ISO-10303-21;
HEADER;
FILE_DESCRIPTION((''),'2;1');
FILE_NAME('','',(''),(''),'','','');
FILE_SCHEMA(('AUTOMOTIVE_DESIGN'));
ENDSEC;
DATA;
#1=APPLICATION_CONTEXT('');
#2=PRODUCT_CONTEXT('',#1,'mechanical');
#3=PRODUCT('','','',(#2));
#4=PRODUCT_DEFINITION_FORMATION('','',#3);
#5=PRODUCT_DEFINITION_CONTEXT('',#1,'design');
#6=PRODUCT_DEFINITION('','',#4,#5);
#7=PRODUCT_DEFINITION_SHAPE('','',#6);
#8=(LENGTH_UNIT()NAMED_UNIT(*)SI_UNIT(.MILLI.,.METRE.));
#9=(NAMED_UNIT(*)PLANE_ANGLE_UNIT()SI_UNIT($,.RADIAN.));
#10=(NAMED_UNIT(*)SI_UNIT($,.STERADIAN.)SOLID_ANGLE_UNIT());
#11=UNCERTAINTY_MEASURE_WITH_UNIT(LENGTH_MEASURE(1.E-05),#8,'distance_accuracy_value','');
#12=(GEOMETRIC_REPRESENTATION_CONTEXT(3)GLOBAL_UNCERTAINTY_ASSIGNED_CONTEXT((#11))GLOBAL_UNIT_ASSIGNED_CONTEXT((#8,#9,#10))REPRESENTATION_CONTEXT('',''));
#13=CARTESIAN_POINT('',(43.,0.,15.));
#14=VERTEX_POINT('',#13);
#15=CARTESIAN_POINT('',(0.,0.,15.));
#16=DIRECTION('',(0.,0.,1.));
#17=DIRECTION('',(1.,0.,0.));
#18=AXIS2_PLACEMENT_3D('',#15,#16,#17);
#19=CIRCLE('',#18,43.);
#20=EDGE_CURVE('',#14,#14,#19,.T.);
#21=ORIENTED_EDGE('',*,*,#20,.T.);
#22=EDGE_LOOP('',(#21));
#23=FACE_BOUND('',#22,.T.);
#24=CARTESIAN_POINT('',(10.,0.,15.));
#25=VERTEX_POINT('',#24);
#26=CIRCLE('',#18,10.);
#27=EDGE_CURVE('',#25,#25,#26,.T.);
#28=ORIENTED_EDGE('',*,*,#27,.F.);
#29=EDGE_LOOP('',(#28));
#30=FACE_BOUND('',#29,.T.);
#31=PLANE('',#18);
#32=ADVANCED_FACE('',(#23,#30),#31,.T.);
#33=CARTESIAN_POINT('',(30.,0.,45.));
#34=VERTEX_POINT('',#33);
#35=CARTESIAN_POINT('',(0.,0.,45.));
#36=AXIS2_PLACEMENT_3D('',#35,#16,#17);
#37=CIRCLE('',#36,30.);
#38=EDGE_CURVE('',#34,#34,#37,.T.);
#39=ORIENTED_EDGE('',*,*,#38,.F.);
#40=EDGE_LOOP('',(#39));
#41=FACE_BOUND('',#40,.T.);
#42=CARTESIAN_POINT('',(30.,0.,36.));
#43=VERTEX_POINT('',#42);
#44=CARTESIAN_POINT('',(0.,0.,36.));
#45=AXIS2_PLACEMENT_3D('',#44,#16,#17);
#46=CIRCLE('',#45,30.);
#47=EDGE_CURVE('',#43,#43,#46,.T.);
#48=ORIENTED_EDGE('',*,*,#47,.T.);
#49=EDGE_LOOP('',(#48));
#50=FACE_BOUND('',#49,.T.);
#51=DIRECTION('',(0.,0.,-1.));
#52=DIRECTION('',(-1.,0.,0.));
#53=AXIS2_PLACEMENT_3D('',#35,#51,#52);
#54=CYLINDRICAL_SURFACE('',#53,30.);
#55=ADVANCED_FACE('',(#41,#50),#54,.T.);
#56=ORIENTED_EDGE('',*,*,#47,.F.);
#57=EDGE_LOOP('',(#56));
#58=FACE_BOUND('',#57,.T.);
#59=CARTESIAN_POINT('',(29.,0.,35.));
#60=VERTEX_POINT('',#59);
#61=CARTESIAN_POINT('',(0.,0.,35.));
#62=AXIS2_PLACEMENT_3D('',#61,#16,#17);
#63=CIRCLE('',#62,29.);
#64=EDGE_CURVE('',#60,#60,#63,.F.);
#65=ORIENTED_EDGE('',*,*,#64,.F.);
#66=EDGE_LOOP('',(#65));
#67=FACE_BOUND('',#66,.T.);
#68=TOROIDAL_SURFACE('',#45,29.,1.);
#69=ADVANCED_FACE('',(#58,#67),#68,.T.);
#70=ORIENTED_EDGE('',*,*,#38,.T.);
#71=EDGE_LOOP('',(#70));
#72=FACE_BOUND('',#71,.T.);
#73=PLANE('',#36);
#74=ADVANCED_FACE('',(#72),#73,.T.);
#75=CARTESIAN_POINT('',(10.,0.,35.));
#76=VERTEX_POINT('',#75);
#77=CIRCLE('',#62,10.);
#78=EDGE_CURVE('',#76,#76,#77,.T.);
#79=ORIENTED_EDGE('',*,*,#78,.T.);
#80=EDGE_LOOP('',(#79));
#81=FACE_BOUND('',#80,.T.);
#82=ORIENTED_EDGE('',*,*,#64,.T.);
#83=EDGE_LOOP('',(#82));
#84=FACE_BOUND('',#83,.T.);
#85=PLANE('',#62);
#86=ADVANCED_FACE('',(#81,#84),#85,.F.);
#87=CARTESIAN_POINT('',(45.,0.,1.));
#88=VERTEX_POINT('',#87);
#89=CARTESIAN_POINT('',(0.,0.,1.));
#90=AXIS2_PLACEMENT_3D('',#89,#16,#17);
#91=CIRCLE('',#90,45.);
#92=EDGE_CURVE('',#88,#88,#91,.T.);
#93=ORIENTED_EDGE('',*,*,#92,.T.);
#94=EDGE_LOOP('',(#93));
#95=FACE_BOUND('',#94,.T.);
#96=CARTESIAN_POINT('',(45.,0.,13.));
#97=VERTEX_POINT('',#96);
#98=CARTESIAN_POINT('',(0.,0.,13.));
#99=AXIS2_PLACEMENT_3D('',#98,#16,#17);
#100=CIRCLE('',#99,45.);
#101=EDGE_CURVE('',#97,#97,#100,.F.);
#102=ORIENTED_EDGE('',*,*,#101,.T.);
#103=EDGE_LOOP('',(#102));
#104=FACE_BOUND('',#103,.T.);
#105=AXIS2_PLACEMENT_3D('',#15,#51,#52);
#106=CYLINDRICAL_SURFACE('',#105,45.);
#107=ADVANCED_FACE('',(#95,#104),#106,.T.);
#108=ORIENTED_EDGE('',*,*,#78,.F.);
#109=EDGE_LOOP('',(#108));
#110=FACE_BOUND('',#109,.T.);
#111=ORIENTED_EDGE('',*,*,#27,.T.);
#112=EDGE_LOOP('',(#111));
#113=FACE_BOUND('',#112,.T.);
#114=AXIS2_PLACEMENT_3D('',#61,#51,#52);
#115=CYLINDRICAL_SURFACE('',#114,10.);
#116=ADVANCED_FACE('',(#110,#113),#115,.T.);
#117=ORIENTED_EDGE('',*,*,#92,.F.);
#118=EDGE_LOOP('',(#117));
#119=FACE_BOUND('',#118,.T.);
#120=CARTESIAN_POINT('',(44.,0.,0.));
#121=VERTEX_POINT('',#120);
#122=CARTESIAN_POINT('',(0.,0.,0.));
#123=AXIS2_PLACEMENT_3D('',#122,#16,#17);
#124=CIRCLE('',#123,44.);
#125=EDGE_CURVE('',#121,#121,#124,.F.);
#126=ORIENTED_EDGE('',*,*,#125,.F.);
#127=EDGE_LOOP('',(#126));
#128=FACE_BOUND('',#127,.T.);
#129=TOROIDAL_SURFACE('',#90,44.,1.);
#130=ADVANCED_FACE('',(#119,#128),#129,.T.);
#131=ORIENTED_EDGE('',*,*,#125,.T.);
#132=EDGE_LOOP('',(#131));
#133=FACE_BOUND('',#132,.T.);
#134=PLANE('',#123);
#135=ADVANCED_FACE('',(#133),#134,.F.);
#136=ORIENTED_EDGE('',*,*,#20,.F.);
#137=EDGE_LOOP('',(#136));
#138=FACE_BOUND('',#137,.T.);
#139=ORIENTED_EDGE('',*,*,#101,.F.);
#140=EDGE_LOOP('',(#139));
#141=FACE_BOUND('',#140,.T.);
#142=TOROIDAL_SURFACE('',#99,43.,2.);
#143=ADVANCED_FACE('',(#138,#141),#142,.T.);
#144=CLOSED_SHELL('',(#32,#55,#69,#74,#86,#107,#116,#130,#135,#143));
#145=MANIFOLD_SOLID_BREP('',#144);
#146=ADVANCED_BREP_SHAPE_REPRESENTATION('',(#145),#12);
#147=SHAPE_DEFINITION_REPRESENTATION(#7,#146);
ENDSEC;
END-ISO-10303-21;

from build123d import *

# Parameters (mm, degrees)
ESQUISSE1_R        = 45
BOSS_EXTRU_1_DEPTH = 15
ESQUISSE3_R        = 10
BOSS_EXTRU_2_DEPTH = 20
ESQUISSE4_R        = 30
BOSS_EXTRU_3_DEPTH = 10
CONG_1_R           = 2
CONG_2_R           = 1
CONG_3_R           = 1


with BuildPart() as part:
    # Esquisse1 → Boss.-Extru.1 (new body)
    with BuildSketch(Plane.XY):
        Circle(ESQUISSE1_R)
    extrude(amount=BOSS_EXTRU_1_DEPTH)

    # Esquisse3 → Boss.-Extru.2 (add)
    with BuildSketch(Plane.XY.offset(15)):
        Circle(ESQUISSE3_R)
    extrude(amount=BOSS_EXTRU_2_DEPTH)

    # Esquisse4 → Boss.-Extru.3 (add)
    with BuildSketch(Plane.XY.offset(35)):
        Circle(ESQUISSE4_R)
    extrude(amount=BOSS_EXTRU_3_DEPTH)

    # Congé1
    cong_1_edges = [part.edges().sort_by_distance(p)[0] for p in [
        (-45, 0, 15),
    ]]
    fillet(cong_1_edges, radius=CONG_1_R)

    # Congé2
    cong_2_edges = [part.edges().sort_by_distance(p)[0] for p in [
        (-30, 0, 35),
    ]]
    fillet(cong_2_edges, radius=CONG_2_R)

    # Congé3
    cong_3_edges = [part.edges().sort_by_distance(p)[0] for p in [
        (-45, 0, 0),
    ]]
    fillet(cong_3_edges, radius=CONG_3_R)


solid = part.part
